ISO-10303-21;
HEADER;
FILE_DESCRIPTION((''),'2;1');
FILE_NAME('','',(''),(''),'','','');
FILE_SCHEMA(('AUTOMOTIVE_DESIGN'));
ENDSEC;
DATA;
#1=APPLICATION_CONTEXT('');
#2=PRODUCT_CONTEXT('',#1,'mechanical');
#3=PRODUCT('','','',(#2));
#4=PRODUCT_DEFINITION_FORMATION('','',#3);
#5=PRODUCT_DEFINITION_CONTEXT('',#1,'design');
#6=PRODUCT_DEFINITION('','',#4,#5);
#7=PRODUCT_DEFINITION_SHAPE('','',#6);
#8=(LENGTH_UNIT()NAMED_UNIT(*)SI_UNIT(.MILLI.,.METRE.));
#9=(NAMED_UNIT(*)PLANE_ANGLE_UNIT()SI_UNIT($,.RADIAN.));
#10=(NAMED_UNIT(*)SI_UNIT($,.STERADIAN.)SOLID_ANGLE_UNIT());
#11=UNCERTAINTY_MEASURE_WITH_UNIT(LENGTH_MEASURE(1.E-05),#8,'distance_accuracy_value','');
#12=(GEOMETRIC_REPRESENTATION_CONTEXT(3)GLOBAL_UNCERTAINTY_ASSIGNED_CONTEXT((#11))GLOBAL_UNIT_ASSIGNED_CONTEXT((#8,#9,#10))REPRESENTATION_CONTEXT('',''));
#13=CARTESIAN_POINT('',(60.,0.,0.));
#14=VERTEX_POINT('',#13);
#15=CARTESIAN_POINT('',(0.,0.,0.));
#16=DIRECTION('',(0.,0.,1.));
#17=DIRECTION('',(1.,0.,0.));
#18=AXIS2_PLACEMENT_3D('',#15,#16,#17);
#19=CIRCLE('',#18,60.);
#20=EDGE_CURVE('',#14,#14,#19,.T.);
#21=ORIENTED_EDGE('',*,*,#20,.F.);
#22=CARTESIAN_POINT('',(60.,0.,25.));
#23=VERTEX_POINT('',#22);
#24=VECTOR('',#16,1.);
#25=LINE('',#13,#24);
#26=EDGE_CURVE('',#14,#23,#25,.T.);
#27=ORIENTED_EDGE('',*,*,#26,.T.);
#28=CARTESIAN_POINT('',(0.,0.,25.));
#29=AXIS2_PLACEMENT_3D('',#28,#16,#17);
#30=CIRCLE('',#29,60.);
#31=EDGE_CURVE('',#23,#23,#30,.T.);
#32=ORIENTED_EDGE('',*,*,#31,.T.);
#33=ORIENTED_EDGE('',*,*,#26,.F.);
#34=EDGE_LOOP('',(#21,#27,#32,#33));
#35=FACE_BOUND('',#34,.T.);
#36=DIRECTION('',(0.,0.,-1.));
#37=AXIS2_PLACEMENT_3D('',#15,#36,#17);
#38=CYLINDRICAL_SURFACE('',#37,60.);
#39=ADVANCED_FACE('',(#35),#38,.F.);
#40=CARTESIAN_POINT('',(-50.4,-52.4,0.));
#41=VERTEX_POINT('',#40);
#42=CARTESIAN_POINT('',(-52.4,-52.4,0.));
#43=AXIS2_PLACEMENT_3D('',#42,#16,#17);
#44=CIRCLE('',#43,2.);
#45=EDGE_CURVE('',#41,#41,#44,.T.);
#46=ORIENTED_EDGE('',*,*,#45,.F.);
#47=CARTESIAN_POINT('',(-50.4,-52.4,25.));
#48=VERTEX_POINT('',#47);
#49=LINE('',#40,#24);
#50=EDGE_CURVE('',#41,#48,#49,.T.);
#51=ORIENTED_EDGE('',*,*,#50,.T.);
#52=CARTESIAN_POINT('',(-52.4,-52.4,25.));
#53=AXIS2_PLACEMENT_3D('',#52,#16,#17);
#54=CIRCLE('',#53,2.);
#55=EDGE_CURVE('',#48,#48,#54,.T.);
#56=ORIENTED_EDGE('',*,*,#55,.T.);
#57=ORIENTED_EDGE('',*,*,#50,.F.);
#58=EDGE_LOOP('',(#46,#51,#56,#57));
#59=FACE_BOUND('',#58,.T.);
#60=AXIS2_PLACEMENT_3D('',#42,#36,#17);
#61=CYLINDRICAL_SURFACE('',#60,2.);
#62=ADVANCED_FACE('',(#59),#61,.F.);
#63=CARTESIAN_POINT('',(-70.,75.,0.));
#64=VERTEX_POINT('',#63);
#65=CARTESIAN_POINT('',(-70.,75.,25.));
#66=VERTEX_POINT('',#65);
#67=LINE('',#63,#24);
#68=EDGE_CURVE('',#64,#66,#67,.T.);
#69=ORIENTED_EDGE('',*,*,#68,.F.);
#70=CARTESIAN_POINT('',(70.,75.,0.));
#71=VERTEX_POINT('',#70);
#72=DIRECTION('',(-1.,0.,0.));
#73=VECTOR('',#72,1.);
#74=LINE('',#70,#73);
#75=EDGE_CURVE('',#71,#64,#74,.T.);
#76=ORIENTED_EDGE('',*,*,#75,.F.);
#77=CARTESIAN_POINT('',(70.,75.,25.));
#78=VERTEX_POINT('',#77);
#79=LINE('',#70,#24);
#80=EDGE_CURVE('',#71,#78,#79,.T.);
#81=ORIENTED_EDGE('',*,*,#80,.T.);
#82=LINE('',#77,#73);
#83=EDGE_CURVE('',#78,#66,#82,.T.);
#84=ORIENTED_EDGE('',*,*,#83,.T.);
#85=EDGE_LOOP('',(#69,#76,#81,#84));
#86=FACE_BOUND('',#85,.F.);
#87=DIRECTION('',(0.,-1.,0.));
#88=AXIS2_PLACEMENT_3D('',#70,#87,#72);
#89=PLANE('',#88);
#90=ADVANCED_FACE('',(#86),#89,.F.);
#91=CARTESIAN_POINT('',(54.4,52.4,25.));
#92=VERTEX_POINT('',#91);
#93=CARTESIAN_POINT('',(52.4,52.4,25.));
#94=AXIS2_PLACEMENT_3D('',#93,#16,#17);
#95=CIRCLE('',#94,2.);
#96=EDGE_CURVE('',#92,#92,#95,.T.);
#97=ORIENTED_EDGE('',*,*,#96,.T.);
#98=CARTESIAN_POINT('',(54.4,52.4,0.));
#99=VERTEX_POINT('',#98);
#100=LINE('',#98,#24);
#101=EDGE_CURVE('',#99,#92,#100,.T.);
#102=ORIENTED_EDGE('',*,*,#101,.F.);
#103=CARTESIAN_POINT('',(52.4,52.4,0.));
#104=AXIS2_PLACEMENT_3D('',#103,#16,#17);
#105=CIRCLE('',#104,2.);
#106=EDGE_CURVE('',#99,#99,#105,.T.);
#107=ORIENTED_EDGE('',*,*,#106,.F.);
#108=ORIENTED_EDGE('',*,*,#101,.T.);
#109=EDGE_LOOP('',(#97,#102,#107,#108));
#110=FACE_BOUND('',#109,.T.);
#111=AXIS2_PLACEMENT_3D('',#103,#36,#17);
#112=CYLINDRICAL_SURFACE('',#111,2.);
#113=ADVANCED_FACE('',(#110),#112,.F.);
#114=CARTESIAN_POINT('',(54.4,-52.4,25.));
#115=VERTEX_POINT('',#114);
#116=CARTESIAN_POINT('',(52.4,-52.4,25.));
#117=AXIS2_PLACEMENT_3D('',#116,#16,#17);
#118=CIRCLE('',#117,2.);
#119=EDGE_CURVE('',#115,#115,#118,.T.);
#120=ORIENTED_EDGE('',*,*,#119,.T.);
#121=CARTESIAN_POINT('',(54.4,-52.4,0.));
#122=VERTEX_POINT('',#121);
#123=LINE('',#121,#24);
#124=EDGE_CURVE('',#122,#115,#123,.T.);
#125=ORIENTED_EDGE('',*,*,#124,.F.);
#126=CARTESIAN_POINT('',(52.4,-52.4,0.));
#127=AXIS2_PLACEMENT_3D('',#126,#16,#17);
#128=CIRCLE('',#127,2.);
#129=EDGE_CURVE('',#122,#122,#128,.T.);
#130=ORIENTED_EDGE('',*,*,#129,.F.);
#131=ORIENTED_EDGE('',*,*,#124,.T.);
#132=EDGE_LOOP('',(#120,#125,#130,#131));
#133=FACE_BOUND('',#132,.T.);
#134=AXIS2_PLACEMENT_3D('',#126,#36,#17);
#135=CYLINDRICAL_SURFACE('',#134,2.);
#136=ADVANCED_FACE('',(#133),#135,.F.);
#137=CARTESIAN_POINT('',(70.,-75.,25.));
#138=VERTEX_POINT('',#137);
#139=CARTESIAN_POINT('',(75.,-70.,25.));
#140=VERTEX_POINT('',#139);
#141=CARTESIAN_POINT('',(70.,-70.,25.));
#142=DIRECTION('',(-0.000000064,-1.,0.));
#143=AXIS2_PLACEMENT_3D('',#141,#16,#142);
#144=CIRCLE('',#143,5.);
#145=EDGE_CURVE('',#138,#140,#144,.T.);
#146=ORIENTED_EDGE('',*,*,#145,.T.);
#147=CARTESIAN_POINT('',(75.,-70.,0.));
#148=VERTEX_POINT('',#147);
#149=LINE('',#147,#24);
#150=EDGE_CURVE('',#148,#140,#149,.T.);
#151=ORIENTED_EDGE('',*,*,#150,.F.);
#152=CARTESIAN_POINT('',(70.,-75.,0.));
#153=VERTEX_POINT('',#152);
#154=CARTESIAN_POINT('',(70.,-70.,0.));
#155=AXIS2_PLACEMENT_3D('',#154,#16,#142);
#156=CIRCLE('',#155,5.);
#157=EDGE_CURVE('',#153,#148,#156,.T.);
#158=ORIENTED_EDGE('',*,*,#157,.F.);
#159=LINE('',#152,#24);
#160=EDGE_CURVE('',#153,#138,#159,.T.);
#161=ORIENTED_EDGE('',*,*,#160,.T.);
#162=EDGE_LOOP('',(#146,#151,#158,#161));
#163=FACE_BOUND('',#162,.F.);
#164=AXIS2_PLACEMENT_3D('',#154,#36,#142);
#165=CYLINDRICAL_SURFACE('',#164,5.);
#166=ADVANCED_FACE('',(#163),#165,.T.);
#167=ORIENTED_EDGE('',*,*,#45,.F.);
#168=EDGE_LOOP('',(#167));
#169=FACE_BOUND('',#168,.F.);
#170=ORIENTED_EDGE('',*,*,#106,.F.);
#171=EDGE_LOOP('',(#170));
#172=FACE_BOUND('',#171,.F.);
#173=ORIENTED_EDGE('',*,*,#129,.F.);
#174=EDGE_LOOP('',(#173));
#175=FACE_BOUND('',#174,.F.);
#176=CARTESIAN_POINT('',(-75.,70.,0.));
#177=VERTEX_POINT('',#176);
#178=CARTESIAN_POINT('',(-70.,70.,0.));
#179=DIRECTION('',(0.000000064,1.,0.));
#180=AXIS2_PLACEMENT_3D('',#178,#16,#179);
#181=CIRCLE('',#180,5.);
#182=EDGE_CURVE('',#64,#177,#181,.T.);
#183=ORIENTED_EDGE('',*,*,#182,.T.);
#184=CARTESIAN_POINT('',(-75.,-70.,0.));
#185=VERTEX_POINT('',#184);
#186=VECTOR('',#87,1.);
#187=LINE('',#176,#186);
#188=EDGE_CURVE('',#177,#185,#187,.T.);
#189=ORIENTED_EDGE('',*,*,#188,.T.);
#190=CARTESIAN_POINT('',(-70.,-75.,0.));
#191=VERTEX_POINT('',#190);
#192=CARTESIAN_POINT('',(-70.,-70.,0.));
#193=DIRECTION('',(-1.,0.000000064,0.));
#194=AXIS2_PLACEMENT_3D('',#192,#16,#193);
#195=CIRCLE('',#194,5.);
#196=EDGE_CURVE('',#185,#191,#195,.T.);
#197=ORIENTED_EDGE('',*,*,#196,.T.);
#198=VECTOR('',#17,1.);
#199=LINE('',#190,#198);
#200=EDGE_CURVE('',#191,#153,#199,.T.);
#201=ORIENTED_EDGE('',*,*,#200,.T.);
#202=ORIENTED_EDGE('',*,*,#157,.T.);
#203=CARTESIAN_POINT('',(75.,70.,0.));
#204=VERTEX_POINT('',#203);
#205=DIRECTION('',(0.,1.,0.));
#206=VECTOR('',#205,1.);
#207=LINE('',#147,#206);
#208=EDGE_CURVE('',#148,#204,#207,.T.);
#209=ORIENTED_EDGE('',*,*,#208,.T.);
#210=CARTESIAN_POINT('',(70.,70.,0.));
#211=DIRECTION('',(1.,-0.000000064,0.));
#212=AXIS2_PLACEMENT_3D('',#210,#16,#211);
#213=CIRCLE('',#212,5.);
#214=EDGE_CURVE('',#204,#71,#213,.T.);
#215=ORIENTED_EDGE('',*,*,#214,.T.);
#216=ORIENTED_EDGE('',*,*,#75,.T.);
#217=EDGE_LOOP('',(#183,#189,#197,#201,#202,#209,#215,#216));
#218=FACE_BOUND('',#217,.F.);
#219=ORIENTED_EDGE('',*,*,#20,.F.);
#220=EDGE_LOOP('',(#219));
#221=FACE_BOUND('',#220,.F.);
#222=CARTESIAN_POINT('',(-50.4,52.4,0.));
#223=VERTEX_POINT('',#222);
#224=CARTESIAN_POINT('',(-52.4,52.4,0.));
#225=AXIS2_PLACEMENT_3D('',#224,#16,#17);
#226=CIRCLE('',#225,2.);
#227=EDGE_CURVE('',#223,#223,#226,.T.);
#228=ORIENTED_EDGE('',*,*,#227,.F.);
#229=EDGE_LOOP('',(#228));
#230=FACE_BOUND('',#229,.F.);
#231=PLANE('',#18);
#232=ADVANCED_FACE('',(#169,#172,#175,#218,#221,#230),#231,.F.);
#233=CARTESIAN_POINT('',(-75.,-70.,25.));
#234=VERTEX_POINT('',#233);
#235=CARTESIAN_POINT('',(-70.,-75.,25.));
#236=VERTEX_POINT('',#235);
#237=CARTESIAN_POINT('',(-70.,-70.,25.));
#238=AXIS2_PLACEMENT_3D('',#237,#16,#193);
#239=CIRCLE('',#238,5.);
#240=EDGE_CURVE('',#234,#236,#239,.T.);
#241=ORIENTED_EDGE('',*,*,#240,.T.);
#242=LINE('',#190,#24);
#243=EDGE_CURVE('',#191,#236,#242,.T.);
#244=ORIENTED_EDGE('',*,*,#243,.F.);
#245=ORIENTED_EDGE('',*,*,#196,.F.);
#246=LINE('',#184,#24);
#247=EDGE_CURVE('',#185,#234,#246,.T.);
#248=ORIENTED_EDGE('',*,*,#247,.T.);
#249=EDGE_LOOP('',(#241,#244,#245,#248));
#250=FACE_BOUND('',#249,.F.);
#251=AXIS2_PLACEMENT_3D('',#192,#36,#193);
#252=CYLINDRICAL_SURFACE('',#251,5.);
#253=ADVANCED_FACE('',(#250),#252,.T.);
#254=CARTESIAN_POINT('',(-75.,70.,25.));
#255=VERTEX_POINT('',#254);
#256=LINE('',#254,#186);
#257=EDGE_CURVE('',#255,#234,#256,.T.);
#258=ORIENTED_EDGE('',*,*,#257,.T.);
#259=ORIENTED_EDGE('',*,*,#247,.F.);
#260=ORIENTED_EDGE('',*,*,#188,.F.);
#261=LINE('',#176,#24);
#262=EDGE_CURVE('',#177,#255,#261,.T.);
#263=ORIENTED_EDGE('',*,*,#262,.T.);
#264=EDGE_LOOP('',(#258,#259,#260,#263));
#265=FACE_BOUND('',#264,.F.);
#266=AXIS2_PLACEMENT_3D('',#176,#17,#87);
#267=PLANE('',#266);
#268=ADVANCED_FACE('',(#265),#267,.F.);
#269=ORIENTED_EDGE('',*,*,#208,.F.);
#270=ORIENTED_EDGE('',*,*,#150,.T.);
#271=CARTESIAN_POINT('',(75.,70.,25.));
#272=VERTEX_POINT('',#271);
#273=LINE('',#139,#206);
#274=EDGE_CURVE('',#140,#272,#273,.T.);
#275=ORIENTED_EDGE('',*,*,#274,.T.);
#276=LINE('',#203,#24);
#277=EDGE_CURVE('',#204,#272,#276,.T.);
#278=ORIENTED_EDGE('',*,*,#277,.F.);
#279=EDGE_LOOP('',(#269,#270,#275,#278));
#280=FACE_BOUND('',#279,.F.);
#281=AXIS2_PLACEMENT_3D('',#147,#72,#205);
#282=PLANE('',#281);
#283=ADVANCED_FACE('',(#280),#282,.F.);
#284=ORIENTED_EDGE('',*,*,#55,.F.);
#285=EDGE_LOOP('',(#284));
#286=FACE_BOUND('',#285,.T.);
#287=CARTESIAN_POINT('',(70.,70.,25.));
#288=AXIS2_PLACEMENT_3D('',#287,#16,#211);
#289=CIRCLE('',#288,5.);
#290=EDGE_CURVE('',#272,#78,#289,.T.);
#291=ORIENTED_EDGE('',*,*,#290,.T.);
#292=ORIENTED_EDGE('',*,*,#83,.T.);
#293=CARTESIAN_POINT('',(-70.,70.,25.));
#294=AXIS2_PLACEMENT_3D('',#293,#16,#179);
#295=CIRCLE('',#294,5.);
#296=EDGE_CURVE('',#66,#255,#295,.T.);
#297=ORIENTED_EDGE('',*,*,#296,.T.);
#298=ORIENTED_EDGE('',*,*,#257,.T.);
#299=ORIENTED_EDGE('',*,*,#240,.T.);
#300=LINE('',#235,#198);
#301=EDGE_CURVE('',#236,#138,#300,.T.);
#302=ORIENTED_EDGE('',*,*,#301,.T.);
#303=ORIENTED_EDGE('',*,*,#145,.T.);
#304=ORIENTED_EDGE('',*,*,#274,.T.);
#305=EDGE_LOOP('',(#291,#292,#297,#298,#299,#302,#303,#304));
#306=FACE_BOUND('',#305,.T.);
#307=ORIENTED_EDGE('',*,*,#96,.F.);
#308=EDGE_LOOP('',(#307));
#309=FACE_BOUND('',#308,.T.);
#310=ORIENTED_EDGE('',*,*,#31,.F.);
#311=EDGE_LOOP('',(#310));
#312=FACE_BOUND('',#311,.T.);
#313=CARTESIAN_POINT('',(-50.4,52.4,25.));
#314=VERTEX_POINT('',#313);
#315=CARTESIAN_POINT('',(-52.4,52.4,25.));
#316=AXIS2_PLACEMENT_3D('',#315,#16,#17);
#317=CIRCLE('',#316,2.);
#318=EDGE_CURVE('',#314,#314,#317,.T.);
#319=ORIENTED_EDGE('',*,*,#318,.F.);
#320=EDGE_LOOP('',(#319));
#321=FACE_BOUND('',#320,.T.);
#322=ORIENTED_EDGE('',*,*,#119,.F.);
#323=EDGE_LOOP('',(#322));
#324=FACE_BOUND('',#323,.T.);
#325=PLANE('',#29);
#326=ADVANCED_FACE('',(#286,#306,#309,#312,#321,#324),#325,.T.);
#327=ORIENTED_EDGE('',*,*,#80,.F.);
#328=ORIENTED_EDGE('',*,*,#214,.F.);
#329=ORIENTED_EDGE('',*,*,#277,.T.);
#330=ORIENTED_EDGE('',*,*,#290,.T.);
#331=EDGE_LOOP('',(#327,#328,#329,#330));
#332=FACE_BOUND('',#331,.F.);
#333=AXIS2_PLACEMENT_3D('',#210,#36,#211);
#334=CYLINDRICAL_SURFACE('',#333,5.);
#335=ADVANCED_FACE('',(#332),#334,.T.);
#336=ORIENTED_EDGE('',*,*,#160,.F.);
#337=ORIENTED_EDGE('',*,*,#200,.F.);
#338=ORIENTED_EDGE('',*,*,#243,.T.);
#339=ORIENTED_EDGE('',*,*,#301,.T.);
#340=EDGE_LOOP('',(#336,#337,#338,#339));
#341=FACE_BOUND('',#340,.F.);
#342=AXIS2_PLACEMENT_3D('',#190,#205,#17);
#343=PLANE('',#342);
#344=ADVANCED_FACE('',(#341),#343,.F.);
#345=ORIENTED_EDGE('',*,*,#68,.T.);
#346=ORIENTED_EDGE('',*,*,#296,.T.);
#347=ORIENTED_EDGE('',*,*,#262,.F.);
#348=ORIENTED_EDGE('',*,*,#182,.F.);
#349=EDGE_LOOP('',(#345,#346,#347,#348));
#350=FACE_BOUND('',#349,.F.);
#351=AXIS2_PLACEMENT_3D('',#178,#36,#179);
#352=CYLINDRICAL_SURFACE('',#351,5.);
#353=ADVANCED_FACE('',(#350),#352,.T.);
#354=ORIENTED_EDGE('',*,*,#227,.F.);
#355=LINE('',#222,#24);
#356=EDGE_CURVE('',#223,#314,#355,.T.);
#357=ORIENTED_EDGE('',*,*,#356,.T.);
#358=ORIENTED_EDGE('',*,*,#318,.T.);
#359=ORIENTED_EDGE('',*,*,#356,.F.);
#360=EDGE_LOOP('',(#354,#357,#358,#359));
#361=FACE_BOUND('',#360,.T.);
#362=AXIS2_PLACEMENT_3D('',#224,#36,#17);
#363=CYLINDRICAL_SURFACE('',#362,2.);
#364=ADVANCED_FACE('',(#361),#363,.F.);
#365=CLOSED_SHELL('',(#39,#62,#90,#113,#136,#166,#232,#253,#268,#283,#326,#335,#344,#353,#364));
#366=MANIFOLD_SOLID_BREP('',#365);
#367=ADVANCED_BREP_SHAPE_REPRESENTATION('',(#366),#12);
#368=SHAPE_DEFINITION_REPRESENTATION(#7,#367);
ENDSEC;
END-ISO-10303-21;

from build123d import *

# Parameters (mm, degrees)
F0_R     = 2
F0_R_2   = 60
F1_DEPTH = 25


with BuildPart() as f1:
    # F0 (on Top) → F1 (new body)
    with BuildSketch(Plane.XY):
        with BuildLine():
            Line((70, 75), (-70, 75))
            ThreePointArc((-70, 75), (-73.535534, 73.535534), (-75, 70))
            Line((-75, 70), (-75, -70))
            ThreePointArc((-75, -70), (-73.535534, -73.535534), (-70, -75))
            Line((-70, -75), (70, -75))
            ThreePointArc((70, -75), (73.535534, -73.535534), (75, -70))
            Line((75, -70), (75, 70))
            ThreePointArc((75, 70), (73.535534, 73.535534), (70, 75))
        make_face()
        with Locations((-52.4, -52.4)):
            Circle(F0_R, mode=Mode.SUBTRACT)
        with Locations((52.4, -52.4)):
            Circle(F0_R, mode=Mode.SUBTRACT)
        with Locations((-52.4, 52.4)):
            Circle(F0_R, mode=Mode.SUBTRACT)
        Circle(F0_R_2, mode=Mode.SUBTRACT)
        with Locations((52.4, 52.4)):
            Circle(F0_R, mode=Mode.SUBTRACT)
    extrude(amount=F1_DEPTH)


solid = f1.part
